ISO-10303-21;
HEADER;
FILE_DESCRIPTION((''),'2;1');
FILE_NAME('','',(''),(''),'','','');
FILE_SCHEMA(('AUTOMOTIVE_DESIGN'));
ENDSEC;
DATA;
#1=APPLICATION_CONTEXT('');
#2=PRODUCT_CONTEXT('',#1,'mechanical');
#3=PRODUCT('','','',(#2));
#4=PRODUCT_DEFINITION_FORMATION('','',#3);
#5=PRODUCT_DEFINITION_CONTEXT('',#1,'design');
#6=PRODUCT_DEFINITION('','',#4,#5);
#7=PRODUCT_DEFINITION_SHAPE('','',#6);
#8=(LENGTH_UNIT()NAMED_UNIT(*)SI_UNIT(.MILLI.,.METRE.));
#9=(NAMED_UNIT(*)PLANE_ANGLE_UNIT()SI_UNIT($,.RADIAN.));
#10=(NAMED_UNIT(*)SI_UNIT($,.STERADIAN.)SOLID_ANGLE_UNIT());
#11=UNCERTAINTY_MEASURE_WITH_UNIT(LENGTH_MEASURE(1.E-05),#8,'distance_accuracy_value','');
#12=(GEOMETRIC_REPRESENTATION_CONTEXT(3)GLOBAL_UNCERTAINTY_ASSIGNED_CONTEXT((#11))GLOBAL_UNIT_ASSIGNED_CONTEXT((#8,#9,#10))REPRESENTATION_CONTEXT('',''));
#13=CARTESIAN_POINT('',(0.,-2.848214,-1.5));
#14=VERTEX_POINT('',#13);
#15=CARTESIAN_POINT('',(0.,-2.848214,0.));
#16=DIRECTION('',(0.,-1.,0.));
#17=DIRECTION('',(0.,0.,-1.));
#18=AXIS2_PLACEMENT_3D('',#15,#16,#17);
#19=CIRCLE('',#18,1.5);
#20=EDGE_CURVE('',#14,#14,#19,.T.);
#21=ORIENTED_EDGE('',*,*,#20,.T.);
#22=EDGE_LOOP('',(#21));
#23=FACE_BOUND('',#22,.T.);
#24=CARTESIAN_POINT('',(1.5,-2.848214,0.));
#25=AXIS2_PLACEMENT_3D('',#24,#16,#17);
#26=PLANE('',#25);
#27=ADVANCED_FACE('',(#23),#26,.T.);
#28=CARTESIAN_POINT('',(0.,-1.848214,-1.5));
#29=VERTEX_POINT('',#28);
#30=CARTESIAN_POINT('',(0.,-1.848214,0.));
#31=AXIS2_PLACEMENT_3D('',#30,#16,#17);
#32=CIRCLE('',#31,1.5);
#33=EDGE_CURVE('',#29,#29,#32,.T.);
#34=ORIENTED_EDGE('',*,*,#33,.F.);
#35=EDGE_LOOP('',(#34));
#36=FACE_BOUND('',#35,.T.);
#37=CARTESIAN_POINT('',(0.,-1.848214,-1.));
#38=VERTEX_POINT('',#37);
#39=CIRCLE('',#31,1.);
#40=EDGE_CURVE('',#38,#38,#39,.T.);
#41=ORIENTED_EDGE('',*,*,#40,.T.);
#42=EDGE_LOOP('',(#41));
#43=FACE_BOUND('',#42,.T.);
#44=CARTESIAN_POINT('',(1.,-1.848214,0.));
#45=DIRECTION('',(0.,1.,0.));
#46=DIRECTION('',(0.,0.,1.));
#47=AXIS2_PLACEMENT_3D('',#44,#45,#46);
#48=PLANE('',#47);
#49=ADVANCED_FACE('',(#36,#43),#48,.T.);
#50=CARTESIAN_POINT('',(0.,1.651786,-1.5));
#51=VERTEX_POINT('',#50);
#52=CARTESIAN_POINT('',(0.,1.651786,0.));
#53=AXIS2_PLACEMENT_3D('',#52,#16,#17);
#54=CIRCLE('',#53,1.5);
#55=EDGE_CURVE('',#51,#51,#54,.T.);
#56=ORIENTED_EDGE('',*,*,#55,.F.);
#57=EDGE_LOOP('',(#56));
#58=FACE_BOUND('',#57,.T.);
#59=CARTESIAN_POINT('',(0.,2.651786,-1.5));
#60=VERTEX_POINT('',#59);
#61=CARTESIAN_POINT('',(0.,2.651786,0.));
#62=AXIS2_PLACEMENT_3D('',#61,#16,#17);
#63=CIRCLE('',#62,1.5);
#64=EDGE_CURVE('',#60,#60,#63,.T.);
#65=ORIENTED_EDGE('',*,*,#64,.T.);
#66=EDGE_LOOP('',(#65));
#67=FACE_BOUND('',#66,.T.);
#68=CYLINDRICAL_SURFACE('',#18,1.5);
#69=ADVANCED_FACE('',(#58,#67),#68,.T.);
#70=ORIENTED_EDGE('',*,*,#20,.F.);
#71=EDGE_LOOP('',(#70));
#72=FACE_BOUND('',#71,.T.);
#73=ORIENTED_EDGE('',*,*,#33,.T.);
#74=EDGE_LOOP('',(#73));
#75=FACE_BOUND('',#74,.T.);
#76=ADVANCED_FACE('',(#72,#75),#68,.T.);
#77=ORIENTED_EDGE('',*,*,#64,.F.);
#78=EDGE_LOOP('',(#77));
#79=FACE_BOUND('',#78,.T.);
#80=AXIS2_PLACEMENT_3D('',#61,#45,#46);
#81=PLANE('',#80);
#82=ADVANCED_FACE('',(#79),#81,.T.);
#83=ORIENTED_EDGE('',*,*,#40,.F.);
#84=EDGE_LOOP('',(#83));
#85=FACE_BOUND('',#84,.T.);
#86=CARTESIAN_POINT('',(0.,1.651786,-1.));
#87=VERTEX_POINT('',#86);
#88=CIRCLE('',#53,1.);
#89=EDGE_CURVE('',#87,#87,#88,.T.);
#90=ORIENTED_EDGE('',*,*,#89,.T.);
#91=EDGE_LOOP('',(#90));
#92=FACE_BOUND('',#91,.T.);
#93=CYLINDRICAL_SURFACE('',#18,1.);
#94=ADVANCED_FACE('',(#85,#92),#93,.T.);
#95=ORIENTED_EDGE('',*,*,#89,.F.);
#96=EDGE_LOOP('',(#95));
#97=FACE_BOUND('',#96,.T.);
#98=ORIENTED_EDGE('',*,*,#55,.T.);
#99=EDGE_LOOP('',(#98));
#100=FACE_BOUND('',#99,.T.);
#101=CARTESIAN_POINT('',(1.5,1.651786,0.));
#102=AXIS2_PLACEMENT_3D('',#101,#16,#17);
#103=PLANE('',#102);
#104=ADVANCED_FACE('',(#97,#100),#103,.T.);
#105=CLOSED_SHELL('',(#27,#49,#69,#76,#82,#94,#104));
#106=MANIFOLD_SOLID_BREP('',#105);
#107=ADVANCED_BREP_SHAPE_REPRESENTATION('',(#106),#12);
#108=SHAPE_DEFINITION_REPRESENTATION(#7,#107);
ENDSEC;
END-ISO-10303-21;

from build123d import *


with BuildPart() as part:
    # 草图1 → 旋转1 (revolve)
    with BuildSketch(Plane.XY):
        Polygon((0, 2.651785714), (1.5, 2.651785714), (1.5, 1.651785714), (1, 1.651785714), (1, -1.848214286), (1.5, -1.848214286), (1.5, -2.848214286), (0, -2.848214286), align=None)
    revolve(axis=Axis((0, -2.848214286, 0), (0, 1, 0)))


solid = part.part
